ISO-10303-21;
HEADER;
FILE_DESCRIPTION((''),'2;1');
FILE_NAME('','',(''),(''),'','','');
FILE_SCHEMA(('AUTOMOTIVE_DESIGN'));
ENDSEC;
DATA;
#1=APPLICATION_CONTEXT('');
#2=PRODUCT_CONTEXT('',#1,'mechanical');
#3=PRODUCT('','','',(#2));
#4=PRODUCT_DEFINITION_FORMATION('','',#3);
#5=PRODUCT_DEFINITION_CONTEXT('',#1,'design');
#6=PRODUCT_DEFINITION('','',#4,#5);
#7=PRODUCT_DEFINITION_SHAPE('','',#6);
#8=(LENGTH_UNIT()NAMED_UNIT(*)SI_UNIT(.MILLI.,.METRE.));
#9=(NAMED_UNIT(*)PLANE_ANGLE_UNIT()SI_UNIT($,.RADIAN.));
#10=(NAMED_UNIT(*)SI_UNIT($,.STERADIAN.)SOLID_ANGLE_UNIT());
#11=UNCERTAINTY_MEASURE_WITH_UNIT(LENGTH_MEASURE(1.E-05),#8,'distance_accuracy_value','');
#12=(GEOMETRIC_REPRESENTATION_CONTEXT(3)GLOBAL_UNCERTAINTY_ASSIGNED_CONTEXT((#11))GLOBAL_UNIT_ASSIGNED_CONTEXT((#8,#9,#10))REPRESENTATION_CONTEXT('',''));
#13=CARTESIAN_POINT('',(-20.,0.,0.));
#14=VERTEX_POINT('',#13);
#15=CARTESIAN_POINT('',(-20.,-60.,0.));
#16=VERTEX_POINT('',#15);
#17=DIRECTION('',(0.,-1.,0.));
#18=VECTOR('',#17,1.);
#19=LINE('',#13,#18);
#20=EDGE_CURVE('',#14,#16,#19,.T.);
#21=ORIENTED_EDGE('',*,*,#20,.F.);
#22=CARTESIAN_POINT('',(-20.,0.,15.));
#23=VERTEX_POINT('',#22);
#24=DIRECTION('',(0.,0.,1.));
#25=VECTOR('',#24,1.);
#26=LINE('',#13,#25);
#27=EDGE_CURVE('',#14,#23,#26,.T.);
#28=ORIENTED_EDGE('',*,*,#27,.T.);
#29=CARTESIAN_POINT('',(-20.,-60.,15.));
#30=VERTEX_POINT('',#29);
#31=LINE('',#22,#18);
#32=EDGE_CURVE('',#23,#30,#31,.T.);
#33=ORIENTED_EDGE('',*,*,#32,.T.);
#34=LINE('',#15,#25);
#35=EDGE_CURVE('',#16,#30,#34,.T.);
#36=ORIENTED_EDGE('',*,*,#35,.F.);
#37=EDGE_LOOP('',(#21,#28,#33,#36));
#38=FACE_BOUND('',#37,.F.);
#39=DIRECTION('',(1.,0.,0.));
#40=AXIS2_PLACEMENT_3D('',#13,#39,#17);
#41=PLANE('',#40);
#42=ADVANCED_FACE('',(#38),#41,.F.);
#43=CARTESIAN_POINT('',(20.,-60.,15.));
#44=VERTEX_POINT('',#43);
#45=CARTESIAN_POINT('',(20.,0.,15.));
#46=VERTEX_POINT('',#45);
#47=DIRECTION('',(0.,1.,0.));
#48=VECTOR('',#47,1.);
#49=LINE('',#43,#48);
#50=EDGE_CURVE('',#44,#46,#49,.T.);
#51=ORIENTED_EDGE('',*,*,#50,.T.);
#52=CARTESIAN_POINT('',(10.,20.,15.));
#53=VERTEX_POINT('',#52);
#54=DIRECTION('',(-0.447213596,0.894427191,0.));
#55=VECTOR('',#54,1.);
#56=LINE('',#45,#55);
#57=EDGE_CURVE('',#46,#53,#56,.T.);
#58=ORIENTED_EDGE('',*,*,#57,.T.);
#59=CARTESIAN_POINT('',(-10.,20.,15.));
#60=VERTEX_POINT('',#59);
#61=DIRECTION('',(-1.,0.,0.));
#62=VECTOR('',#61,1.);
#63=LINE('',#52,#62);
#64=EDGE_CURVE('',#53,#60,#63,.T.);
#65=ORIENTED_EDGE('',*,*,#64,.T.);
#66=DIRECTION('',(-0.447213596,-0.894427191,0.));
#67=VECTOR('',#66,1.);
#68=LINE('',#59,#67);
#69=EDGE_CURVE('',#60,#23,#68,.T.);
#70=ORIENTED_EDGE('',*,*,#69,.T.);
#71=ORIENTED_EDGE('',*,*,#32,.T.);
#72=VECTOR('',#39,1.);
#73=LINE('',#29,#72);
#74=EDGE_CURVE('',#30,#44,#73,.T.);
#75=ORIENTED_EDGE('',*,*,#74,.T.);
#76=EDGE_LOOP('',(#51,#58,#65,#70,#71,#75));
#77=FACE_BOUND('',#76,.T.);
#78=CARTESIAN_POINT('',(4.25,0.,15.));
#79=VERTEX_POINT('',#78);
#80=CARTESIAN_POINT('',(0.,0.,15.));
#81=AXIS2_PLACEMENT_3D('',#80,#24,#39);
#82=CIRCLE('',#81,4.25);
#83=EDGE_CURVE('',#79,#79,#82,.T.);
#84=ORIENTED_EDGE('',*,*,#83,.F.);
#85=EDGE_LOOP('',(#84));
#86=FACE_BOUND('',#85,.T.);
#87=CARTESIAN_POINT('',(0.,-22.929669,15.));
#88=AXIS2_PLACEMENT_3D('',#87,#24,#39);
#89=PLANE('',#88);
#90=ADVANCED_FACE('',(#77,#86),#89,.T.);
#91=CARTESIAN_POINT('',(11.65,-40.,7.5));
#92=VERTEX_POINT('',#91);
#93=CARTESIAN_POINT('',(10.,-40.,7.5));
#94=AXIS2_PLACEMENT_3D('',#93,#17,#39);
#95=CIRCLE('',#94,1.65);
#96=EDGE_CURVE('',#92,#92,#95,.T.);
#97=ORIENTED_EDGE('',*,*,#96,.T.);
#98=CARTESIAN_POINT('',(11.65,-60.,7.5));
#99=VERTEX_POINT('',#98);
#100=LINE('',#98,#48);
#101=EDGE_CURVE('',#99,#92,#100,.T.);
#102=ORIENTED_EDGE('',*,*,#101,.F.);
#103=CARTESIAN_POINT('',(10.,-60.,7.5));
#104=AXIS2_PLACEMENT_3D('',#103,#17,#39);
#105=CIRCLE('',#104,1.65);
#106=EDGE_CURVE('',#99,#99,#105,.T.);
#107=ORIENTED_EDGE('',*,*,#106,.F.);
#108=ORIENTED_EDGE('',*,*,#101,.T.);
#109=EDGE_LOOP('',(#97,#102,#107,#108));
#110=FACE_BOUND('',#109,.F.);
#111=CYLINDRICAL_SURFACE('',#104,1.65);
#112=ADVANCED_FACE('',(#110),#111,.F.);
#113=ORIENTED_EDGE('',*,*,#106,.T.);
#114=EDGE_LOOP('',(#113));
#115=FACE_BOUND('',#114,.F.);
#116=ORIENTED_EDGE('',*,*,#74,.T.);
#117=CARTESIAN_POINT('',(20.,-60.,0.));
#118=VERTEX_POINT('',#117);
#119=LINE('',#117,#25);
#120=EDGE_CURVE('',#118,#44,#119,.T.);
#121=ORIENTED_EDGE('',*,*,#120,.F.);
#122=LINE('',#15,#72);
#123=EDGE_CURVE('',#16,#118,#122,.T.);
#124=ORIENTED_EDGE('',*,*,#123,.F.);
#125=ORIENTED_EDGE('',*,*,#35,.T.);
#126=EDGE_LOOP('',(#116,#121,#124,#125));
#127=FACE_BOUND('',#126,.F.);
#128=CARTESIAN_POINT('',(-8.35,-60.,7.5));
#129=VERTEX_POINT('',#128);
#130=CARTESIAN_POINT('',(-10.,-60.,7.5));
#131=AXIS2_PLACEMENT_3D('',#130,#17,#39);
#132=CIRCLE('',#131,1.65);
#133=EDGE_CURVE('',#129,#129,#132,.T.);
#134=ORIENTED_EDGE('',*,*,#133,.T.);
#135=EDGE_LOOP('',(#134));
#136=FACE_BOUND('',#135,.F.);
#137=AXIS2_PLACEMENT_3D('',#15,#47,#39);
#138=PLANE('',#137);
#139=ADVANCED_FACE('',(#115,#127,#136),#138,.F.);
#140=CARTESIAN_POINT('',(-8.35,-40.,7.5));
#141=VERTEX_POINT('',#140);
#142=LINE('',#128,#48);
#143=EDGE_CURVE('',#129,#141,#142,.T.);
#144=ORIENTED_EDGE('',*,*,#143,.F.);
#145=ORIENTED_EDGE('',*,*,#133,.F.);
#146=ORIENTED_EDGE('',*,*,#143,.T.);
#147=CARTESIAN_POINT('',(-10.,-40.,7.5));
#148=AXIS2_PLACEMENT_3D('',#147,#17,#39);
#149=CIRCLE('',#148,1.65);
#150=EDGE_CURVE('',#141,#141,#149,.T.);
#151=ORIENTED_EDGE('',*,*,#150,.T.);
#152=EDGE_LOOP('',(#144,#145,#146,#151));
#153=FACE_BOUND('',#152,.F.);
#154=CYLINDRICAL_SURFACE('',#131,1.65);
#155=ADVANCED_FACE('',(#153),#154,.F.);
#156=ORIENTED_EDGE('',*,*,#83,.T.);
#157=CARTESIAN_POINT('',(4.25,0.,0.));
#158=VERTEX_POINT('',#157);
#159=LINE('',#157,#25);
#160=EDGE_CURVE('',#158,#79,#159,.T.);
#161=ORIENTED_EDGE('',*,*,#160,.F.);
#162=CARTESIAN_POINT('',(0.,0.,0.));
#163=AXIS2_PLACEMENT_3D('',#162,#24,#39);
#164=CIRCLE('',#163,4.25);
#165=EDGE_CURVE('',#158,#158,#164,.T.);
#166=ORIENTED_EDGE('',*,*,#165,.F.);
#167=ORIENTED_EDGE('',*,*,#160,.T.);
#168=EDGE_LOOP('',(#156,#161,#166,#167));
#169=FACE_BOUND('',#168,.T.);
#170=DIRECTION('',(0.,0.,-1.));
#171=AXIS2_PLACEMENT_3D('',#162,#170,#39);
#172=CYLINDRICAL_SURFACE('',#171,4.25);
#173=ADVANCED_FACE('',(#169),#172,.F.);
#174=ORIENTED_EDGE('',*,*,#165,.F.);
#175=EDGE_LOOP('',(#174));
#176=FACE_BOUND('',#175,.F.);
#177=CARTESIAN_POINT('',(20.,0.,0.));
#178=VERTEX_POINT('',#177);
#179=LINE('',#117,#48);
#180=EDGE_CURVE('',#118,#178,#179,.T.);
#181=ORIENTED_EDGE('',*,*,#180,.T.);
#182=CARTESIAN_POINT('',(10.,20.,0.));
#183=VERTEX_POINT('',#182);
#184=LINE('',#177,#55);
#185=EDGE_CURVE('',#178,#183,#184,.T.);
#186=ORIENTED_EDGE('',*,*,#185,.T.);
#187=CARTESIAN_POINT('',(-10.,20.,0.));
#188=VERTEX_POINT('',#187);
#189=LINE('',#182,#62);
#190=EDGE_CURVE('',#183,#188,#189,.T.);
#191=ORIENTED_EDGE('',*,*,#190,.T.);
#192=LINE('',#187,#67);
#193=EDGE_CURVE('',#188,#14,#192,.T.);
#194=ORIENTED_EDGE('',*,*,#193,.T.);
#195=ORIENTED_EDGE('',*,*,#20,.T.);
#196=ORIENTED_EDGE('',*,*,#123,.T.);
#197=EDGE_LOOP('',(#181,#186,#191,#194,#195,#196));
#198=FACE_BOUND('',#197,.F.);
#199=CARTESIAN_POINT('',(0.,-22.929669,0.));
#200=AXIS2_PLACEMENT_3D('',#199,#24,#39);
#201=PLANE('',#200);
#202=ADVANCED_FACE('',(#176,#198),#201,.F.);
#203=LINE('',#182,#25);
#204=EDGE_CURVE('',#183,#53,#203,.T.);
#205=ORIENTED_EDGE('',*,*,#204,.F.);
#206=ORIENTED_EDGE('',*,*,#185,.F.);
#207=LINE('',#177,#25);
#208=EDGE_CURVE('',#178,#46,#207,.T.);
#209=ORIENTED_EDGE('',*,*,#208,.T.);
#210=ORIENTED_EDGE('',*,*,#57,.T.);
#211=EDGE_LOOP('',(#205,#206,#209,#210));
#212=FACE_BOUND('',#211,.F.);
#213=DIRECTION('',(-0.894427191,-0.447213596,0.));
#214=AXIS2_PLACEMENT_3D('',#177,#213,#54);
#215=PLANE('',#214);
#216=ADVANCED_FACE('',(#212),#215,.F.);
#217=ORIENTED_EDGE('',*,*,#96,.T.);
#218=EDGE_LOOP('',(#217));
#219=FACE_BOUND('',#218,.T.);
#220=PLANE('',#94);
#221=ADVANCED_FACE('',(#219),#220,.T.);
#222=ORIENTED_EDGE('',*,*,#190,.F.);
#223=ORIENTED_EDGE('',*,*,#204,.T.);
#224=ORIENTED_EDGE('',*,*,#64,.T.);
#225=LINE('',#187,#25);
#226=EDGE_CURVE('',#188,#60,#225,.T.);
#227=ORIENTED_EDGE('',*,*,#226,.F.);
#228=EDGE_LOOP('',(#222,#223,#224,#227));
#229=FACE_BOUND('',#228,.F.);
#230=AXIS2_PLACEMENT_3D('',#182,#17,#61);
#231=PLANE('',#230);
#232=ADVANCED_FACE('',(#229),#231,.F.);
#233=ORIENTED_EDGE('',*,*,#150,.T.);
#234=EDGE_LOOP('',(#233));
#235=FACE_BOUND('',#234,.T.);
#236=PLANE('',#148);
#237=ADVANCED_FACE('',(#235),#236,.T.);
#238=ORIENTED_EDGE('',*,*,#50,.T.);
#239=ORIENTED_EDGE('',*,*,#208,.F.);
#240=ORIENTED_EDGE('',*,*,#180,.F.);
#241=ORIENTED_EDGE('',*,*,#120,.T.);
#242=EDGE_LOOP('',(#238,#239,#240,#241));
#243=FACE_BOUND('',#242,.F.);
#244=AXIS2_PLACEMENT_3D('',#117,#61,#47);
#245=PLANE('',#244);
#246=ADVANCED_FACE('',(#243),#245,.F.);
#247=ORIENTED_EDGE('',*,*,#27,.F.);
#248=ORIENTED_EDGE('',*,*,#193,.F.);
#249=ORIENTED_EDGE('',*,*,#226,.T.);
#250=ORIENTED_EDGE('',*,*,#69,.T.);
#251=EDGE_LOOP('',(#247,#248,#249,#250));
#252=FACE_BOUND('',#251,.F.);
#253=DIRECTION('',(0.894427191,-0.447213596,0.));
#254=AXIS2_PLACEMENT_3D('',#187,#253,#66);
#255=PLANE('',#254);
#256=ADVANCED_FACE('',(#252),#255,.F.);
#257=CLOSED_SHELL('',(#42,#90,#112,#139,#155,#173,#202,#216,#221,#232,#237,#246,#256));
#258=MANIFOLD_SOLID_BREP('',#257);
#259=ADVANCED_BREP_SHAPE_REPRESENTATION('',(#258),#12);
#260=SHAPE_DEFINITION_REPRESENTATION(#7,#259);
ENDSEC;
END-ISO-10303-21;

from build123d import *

# Parameters (mm, degrees)
F0_R     = 4.25
F1_DEPTH = 15
F2_R     = 1.65
F3_DEPTH = 20


with BuildPart() as f1:
    # F0 (on Top) → F1 (new body)
    with BuildSketch(Plane.XY):
        Polygon((-20, -60), (20, -60), (20, 0), (10, 20), (-10, 20), (-20, 0), align=None)
        Circle(F0_R, mode=Mode.SUBTRACT)
    extrude(amount=F1_DEPTH)

    # F2 (on face) → F3 (cut)
    with BuildSketch(Plane.XZ.offset(60)):
        with Locations((10, 7.5)):
            Circle(F2_R)
        with Locations((-10, 7.5)):
            Circle(F2_R)
    extrude(amount=-F3_DEPTH, mode=Mode.SUBTRACT)


solid = f1.part
